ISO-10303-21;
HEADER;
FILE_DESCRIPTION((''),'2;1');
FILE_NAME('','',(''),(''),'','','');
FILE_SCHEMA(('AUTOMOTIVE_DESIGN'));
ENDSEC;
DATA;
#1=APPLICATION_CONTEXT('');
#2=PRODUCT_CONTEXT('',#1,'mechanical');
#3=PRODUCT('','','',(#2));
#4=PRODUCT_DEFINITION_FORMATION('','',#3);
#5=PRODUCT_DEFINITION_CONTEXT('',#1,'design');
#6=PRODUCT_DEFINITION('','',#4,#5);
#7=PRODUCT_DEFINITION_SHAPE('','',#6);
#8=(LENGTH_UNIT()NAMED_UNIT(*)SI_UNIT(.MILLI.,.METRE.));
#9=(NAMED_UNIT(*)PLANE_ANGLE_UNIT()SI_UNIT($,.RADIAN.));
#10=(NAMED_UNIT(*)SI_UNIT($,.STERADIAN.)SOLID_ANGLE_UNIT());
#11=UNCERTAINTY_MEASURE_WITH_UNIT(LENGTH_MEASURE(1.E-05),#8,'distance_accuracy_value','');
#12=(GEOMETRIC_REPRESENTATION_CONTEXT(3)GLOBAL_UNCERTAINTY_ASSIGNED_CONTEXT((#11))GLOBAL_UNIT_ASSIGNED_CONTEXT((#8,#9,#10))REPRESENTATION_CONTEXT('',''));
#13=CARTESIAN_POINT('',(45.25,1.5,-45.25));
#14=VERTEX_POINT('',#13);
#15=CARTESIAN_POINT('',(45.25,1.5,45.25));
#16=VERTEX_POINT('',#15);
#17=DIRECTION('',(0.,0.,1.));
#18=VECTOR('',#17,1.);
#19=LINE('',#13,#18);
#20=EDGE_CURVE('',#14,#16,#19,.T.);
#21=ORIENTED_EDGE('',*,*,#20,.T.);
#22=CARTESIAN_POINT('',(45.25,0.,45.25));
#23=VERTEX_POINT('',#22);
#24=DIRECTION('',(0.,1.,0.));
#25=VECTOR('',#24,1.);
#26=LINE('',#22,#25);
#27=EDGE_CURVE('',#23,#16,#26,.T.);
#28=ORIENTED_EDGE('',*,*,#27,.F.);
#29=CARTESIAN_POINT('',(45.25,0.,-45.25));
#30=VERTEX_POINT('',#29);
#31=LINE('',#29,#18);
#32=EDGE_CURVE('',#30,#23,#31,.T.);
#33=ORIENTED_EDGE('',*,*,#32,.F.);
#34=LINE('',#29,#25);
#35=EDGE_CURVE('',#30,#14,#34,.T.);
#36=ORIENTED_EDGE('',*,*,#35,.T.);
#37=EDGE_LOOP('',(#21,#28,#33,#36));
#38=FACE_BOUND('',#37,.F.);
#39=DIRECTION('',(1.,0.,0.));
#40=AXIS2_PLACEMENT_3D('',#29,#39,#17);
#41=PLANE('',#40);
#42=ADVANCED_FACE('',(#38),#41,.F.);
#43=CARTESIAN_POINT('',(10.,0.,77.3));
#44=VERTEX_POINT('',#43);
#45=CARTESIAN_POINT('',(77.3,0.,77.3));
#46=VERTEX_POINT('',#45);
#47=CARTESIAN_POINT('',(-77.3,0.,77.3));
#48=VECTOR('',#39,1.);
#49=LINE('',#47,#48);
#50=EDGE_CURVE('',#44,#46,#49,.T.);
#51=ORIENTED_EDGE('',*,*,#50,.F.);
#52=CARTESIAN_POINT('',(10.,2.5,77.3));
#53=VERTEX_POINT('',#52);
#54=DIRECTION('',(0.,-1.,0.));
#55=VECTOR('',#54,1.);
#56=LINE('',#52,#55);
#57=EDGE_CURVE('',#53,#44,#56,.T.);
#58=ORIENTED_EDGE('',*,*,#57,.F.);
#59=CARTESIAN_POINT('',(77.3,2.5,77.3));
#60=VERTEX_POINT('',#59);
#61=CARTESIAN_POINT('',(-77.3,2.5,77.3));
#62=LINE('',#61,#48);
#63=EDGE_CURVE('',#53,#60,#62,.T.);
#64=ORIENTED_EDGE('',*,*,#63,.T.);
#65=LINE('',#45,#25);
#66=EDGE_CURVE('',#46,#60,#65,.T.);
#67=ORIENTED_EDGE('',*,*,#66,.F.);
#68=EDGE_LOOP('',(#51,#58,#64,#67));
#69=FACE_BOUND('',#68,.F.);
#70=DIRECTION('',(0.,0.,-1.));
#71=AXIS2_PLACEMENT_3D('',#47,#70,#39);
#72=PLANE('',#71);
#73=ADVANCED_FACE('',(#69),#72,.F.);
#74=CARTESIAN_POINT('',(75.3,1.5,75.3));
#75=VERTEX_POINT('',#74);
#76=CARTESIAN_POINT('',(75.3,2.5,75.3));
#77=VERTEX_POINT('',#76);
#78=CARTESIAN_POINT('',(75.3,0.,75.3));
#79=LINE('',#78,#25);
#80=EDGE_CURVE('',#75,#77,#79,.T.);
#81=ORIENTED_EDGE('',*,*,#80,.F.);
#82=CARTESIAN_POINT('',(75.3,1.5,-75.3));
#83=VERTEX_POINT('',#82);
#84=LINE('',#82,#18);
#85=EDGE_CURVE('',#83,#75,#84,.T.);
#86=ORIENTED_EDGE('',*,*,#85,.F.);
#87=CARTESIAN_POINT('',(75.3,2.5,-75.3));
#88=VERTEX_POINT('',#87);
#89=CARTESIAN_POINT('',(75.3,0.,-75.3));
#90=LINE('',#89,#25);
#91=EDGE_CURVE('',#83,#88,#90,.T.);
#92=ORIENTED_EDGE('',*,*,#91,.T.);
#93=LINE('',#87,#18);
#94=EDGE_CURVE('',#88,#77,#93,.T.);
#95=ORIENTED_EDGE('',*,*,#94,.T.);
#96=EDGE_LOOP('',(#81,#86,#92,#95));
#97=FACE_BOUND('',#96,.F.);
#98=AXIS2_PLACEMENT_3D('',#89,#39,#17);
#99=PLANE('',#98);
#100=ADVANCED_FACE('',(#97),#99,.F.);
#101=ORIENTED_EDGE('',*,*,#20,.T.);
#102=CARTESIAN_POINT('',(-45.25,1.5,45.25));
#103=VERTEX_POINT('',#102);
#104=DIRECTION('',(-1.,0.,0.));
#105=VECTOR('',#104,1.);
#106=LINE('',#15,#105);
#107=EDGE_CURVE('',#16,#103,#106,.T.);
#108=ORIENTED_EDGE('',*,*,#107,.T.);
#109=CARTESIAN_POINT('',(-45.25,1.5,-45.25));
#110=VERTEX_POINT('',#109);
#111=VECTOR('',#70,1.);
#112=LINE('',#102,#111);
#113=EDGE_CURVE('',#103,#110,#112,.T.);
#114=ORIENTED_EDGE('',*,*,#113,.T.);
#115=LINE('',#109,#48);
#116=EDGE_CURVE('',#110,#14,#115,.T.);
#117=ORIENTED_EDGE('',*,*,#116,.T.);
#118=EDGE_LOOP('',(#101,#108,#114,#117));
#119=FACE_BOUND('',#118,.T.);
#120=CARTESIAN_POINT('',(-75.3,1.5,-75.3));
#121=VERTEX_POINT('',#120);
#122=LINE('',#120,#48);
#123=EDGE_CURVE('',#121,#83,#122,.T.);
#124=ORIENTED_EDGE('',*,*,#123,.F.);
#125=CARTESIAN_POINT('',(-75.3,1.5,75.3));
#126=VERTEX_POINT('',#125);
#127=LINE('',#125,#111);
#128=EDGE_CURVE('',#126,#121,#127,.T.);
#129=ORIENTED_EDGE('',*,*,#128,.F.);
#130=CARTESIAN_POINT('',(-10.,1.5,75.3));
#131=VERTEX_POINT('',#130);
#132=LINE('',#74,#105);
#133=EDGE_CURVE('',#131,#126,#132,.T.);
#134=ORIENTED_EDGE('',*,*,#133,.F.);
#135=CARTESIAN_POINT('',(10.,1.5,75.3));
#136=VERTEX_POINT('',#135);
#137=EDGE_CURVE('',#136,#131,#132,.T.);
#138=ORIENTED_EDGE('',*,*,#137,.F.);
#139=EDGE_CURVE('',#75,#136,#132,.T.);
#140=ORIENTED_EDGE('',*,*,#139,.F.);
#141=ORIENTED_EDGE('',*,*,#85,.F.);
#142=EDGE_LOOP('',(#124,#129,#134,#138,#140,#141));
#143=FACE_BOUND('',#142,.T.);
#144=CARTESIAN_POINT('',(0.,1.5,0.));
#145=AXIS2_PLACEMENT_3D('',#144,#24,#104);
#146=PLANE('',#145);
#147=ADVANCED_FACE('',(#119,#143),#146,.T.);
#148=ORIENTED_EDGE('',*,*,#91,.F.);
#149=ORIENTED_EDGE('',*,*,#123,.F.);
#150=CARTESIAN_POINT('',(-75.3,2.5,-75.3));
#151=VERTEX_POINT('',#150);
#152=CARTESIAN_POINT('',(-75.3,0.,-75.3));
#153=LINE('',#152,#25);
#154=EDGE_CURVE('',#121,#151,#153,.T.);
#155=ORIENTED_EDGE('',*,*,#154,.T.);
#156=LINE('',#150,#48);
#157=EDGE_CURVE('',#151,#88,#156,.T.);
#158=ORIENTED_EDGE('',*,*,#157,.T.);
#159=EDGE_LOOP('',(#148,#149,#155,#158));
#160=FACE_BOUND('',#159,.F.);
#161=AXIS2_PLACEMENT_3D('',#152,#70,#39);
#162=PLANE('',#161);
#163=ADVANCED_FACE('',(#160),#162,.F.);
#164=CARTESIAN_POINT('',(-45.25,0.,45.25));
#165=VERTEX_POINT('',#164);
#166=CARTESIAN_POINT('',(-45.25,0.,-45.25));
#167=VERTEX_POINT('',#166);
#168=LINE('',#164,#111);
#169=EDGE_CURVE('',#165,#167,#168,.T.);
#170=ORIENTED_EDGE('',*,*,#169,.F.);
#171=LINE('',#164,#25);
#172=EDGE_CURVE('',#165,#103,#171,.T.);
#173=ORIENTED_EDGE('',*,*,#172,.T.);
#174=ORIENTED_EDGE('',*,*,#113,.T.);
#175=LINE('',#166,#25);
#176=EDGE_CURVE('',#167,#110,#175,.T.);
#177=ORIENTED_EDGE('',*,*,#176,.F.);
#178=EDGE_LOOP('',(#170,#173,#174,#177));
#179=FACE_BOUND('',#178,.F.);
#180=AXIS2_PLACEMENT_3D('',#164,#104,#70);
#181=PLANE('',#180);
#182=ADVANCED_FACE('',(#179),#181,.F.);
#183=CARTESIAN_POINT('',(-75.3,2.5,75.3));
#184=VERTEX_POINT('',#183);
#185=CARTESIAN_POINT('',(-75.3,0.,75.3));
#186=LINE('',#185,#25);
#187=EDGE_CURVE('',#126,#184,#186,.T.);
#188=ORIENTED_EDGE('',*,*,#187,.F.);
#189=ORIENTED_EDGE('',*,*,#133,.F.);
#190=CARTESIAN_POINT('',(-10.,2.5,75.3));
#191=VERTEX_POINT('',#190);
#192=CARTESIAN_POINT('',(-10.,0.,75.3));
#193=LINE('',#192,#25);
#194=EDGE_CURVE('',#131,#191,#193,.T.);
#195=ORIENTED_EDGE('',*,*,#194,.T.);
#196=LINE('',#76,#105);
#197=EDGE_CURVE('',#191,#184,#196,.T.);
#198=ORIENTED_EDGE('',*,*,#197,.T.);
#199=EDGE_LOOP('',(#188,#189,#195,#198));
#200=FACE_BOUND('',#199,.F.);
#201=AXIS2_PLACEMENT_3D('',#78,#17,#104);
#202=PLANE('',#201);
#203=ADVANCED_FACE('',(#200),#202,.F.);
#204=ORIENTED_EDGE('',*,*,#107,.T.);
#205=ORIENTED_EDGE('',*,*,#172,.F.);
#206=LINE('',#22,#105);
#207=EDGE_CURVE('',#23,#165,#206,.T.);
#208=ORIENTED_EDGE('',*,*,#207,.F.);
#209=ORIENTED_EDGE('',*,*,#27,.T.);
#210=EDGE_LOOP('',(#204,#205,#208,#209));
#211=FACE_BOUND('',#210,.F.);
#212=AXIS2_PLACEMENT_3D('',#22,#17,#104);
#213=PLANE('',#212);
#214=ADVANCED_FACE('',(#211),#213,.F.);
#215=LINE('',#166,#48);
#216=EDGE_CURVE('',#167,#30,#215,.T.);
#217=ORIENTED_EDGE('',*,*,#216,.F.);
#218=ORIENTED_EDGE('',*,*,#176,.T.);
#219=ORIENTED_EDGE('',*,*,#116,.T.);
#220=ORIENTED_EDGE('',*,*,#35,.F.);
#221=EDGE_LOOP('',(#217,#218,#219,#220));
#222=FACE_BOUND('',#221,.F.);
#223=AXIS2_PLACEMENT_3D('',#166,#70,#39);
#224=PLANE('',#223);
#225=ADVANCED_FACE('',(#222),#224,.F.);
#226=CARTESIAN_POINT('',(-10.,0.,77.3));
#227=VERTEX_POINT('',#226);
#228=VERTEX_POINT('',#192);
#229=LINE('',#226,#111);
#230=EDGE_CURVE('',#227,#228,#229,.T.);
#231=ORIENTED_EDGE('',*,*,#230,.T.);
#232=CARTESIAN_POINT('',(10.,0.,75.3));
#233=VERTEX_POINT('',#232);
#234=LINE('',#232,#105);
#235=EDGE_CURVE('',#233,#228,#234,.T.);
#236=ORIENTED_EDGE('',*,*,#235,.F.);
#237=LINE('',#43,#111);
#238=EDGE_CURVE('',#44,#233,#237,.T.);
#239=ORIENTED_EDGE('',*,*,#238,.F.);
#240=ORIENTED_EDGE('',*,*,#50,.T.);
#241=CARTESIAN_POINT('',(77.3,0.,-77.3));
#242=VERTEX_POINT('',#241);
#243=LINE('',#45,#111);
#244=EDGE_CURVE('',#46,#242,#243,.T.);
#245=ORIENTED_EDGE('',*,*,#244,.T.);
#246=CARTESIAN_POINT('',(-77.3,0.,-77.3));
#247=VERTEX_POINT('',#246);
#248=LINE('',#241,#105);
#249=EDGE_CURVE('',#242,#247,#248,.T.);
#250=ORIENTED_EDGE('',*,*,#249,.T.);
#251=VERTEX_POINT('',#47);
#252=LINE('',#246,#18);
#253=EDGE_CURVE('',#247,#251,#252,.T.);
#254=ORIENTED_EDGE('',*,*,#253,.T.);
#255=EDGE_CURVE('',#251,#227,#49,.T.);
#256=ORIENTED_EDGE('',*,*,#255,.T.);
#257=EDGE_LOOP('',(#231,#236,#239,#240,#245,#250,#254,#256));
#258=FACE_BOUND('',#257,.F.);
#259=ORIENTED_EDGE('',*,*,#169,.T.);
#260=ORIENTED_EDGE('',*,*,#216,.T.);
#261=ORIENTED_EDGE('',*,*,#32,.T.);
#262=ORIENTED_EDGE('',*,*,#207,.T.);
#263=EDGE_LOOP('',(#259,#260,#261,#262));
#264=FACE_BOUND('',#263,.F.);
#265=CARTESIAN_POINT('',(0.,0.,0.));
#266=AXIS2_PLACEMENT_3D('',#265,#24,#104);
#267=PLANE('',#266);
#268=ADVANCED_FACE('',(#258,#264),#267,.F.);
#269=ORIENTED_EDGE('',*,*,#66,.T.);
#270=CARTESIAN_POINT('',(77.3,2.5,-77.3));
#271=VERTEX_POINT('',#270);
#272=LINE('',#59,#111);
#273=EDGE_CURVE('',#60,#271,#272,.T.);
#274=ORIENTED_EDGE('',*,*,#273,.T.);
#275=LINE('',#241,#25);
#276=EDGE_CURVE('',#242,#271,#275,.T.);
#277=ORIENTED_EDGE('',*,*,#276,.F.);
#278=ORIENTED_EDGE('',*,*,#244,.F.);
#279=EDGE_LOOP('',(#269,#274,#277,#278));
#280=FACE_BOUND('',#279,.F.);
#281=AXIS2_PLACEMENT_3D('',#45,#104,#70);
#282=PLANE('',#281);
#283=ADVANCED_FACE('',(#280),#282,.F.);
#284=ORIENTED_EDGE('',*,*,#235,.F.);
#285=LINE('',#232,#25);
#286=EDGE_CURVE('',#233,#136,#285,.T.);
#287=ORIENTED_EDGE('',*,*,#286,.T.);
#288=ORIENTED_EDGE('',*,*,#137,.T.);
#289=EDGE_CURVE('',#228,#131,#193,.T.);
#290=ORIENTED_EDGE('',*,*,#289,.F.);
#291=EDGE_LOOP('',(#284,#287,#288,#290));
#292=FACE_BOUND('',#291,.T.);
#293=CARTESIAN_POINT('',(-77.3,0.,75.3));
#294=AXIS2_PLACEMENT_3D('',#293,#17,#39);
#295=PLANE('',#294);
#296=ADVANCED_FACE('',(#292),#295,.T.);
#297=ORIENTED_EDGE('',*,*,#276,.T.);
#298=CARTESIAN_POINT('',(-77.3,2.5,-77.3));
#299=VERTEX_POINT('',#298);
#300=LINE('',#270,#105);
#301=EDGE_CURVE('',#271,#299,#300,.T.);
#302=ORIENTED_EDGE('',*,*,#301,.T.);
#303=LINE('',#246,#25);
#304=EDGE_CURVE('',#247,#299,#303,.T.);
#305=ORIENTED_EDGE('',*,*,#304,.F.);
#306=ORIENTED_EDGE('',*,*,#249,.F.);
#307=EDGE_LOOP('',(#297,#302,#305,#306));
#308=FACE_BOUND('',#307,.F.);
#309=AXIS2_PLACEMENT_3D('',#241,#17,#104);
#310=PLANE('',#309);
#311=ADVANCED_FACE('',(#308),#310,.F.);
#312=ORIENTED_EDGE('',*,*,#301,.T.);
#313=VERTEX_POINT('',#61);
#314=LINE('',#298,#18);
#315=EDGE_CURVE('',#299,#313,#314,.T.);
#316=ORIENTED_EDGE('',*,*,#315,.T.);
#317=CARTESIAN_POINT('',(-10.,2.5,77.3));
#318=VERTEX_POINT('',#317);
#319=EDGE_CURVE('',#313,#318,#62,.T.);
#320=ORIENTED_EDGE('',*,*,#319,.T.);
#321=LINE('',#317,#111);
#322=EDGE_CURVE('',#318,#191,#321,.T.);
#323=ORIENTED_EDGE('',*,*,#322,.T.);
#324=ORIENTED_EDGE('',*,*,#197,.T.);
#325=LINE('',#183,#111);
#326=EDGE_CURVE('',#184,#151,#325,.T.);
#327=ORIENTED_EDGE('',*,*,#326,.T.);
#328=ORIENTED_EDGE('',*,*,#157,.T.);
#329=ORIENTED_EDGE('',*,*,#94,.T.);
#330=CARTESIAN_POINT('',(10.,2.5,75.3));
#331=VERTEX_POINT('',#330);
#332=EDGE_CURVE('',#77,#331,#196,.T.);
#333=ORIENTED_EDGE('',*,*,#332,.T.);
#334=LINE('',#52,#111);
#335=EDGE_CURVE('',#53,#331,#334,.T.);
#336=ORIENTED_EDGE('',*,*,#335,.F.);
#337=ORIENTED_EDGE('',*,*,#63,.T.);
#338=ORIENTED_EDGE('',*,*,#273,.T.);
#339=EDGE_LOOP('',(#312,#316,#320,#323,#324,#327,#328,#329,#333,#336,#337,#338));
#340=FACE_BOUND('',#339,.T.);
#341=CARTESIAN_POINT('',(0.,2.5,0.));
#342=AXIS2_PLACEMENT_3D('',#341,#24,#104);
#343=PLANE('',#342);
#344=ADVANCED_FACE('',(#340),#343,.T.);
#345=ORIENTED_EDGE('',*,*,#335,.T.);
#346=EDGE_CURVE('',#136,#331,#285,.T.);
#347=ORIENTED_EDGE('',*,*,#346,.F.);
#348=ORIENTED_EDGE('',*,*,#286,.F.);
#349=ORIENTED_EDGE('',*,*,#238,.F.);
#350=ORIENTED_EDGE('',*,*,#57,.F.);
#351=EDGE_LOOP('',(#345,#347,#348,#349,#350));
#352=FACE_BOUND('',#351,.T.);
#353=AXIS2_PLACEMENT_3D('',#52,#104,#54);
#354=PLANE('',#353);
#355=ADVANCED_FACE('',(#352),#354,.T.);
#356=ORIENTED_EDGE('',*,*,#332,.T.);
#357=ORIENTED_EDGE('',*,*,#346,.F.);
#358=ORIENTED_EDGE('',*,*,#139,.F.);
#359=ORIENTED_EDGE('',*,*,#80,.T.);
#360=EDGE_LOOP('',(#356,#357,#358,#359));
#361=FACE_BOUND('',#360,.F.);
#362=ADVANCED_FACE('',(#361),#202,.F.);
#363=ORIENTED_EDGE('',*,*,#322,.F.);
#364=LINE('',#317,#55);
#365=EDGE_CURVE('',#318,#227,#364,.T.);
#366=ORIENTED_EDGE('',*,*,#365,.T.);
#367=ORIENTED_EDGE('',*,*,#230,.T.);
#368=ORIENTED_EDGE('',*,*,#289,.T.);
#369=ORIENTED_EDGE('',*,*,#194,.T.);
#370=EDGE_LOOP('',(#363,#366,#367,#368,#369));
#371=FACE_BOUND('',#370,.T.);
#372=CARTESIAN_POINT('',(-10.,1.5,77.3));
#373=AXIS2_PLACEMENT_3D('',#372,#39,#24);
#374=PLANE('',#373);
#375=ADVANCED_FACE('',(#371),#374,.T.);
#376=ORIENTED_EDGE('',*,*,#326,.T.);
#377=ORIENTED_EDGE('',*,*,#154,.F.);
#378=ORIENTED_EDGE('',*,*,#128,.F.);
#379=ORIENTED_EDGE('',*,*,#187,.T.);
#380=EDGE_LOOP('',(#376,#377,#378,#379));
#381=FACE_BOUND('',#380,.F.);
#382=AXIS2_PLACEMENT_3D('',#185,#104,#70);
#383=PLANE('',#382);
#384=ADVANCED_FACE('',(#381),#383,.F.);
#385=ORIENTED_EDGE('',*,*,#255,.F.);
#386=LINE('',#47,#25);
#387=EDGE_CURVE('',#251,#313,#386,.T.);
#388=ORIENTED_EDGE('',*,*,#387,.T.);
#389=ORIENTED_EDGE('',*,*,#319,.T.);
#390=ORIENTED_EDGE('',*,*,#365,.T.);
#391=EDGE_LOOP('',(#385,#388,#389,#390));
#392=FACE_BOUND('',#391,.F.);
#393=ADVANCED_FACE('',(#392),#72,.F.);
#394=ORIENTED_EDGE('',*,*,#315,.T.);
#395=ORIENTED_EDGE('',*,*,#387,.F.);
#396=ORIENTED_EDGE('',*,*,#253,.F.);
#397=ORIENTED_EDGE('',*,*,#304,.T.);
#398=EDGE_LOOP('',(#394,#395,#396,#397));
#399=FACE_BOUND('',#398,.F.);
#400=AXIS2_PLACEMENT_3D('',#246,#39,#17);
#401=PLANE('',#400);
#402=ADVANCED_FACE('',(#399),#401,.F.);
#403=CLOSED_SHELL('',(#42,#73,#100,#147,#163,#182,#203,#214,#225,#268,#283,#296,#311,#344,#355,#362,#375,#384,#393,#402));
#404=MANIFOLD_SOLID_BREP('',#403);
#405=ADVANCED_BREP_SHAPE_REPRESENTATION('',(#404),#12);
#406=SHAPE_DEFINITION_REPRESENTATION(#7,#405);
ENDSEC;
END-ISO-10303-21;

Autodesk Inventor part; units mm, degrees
ref_plane "YZ Plane" through (0, 0, 0) normal (1, 0, 0) x (0, 1, 0)
ref_plane "XZ Plane" through (0, 0, 0) normal (0, 1, 0) x (-1, 0, 0)
ref_plane "XY Plane" through (0, 0, 0) normal (0, 0, 1) x (1, 0, 0)
sketch "Sketch1" plane through (0, 0, 0) normal (0, 1, 0) x (-1, 0, 0)
  line L0 (45.25, -45.25) -> (-45.25, -45.25)
  line L1 (-45.25, -45.25) -> (-45.25, 45.25)
  line L2 (-45.25, 45.25) -> (45.25, 45.25)
  line L3 (45.25, 45.25) -> (45.25, -45.25)
  line L4 (75.3, -75.3) -> (-75.3, -75.3)
  line L5 (-75.3, -75.3) -> (-75.3, 75.3)
  line L6 (-75.3, 75.3) -> (75.3, 75.3)
  line L7 (75.3, 75.3) -> (75.3, -75.3)
  line L8 (-77.3, 77.3) -> (-77.3, -77.3)
  line L9 (-77.3, -77.3) -> (77.3, -77.3)
  line L10 (77.3, -77.3) -> (77.3, 77.3)
  line L11 (77.3, 77.3) -> (-77.3, 77.3)
  point P0 (0, 0)
  point P1 (-45.25, 0)
  point P2 (0, -45.25)
  point P3 (-75.3, 0)
  point P4 (0, -75.3)
  dimension "d0" = 90.5
  dimension "d1" = 150.6
  dimension "d2" = 2
extrude "Extrusion1" add sketch "Sketch1" along normal blind 1.5 contours L4 L5 L6 L7
extrude "Extrusion2" add sketch "Sketch1" along normal blind 2.5 contours L11 L10 L9 L8
sketch "Sketch2" plane through (75.3, 1.5, 75.3) normal (0, 0, -1) x (-1, 0, 0)
  point P0 (75.3, -1.5)
sketch "Sketch3" plane through (-77.3, 0, 77.3) normal (0, 0, 1) x (1, 0, 0)
  line L0 (152.6, 2.5) -> (2, 2.5) projected
  line L1 (67.3, 2.5) -> (87.3, 2.5)
  line L2 (87.3, 2.5) -> (87.3, 0)
  line L3 (87.3, 0) -> (67.3, 0)
  line L4 (67.3, 0) -> (67.3, 2.5)
  line L5 (0, 0) -> (154.6, 0) projected
  line L6 (2, 1.5) -> (152.6, 1.5) projected
  line L7 (152.6, 1.5) -> (2, 1.5) projected
  line L8 (32.05, 1.5) -> (122.55, 1.5) projected
  line L9 (122.55, 1.5) -> (32.05, 1.5) projected
  point P0 (77.3, 0)
  point P1 (77.3, 0)
  point P2 (77.3, 0)
  dimension "d7" = 20
extrude "Extrusion3" cut sketch "Sketch3" against normal up to surface (2 mm away)
properties part number "15cmPasteMaskTemplate_3DPrint"
